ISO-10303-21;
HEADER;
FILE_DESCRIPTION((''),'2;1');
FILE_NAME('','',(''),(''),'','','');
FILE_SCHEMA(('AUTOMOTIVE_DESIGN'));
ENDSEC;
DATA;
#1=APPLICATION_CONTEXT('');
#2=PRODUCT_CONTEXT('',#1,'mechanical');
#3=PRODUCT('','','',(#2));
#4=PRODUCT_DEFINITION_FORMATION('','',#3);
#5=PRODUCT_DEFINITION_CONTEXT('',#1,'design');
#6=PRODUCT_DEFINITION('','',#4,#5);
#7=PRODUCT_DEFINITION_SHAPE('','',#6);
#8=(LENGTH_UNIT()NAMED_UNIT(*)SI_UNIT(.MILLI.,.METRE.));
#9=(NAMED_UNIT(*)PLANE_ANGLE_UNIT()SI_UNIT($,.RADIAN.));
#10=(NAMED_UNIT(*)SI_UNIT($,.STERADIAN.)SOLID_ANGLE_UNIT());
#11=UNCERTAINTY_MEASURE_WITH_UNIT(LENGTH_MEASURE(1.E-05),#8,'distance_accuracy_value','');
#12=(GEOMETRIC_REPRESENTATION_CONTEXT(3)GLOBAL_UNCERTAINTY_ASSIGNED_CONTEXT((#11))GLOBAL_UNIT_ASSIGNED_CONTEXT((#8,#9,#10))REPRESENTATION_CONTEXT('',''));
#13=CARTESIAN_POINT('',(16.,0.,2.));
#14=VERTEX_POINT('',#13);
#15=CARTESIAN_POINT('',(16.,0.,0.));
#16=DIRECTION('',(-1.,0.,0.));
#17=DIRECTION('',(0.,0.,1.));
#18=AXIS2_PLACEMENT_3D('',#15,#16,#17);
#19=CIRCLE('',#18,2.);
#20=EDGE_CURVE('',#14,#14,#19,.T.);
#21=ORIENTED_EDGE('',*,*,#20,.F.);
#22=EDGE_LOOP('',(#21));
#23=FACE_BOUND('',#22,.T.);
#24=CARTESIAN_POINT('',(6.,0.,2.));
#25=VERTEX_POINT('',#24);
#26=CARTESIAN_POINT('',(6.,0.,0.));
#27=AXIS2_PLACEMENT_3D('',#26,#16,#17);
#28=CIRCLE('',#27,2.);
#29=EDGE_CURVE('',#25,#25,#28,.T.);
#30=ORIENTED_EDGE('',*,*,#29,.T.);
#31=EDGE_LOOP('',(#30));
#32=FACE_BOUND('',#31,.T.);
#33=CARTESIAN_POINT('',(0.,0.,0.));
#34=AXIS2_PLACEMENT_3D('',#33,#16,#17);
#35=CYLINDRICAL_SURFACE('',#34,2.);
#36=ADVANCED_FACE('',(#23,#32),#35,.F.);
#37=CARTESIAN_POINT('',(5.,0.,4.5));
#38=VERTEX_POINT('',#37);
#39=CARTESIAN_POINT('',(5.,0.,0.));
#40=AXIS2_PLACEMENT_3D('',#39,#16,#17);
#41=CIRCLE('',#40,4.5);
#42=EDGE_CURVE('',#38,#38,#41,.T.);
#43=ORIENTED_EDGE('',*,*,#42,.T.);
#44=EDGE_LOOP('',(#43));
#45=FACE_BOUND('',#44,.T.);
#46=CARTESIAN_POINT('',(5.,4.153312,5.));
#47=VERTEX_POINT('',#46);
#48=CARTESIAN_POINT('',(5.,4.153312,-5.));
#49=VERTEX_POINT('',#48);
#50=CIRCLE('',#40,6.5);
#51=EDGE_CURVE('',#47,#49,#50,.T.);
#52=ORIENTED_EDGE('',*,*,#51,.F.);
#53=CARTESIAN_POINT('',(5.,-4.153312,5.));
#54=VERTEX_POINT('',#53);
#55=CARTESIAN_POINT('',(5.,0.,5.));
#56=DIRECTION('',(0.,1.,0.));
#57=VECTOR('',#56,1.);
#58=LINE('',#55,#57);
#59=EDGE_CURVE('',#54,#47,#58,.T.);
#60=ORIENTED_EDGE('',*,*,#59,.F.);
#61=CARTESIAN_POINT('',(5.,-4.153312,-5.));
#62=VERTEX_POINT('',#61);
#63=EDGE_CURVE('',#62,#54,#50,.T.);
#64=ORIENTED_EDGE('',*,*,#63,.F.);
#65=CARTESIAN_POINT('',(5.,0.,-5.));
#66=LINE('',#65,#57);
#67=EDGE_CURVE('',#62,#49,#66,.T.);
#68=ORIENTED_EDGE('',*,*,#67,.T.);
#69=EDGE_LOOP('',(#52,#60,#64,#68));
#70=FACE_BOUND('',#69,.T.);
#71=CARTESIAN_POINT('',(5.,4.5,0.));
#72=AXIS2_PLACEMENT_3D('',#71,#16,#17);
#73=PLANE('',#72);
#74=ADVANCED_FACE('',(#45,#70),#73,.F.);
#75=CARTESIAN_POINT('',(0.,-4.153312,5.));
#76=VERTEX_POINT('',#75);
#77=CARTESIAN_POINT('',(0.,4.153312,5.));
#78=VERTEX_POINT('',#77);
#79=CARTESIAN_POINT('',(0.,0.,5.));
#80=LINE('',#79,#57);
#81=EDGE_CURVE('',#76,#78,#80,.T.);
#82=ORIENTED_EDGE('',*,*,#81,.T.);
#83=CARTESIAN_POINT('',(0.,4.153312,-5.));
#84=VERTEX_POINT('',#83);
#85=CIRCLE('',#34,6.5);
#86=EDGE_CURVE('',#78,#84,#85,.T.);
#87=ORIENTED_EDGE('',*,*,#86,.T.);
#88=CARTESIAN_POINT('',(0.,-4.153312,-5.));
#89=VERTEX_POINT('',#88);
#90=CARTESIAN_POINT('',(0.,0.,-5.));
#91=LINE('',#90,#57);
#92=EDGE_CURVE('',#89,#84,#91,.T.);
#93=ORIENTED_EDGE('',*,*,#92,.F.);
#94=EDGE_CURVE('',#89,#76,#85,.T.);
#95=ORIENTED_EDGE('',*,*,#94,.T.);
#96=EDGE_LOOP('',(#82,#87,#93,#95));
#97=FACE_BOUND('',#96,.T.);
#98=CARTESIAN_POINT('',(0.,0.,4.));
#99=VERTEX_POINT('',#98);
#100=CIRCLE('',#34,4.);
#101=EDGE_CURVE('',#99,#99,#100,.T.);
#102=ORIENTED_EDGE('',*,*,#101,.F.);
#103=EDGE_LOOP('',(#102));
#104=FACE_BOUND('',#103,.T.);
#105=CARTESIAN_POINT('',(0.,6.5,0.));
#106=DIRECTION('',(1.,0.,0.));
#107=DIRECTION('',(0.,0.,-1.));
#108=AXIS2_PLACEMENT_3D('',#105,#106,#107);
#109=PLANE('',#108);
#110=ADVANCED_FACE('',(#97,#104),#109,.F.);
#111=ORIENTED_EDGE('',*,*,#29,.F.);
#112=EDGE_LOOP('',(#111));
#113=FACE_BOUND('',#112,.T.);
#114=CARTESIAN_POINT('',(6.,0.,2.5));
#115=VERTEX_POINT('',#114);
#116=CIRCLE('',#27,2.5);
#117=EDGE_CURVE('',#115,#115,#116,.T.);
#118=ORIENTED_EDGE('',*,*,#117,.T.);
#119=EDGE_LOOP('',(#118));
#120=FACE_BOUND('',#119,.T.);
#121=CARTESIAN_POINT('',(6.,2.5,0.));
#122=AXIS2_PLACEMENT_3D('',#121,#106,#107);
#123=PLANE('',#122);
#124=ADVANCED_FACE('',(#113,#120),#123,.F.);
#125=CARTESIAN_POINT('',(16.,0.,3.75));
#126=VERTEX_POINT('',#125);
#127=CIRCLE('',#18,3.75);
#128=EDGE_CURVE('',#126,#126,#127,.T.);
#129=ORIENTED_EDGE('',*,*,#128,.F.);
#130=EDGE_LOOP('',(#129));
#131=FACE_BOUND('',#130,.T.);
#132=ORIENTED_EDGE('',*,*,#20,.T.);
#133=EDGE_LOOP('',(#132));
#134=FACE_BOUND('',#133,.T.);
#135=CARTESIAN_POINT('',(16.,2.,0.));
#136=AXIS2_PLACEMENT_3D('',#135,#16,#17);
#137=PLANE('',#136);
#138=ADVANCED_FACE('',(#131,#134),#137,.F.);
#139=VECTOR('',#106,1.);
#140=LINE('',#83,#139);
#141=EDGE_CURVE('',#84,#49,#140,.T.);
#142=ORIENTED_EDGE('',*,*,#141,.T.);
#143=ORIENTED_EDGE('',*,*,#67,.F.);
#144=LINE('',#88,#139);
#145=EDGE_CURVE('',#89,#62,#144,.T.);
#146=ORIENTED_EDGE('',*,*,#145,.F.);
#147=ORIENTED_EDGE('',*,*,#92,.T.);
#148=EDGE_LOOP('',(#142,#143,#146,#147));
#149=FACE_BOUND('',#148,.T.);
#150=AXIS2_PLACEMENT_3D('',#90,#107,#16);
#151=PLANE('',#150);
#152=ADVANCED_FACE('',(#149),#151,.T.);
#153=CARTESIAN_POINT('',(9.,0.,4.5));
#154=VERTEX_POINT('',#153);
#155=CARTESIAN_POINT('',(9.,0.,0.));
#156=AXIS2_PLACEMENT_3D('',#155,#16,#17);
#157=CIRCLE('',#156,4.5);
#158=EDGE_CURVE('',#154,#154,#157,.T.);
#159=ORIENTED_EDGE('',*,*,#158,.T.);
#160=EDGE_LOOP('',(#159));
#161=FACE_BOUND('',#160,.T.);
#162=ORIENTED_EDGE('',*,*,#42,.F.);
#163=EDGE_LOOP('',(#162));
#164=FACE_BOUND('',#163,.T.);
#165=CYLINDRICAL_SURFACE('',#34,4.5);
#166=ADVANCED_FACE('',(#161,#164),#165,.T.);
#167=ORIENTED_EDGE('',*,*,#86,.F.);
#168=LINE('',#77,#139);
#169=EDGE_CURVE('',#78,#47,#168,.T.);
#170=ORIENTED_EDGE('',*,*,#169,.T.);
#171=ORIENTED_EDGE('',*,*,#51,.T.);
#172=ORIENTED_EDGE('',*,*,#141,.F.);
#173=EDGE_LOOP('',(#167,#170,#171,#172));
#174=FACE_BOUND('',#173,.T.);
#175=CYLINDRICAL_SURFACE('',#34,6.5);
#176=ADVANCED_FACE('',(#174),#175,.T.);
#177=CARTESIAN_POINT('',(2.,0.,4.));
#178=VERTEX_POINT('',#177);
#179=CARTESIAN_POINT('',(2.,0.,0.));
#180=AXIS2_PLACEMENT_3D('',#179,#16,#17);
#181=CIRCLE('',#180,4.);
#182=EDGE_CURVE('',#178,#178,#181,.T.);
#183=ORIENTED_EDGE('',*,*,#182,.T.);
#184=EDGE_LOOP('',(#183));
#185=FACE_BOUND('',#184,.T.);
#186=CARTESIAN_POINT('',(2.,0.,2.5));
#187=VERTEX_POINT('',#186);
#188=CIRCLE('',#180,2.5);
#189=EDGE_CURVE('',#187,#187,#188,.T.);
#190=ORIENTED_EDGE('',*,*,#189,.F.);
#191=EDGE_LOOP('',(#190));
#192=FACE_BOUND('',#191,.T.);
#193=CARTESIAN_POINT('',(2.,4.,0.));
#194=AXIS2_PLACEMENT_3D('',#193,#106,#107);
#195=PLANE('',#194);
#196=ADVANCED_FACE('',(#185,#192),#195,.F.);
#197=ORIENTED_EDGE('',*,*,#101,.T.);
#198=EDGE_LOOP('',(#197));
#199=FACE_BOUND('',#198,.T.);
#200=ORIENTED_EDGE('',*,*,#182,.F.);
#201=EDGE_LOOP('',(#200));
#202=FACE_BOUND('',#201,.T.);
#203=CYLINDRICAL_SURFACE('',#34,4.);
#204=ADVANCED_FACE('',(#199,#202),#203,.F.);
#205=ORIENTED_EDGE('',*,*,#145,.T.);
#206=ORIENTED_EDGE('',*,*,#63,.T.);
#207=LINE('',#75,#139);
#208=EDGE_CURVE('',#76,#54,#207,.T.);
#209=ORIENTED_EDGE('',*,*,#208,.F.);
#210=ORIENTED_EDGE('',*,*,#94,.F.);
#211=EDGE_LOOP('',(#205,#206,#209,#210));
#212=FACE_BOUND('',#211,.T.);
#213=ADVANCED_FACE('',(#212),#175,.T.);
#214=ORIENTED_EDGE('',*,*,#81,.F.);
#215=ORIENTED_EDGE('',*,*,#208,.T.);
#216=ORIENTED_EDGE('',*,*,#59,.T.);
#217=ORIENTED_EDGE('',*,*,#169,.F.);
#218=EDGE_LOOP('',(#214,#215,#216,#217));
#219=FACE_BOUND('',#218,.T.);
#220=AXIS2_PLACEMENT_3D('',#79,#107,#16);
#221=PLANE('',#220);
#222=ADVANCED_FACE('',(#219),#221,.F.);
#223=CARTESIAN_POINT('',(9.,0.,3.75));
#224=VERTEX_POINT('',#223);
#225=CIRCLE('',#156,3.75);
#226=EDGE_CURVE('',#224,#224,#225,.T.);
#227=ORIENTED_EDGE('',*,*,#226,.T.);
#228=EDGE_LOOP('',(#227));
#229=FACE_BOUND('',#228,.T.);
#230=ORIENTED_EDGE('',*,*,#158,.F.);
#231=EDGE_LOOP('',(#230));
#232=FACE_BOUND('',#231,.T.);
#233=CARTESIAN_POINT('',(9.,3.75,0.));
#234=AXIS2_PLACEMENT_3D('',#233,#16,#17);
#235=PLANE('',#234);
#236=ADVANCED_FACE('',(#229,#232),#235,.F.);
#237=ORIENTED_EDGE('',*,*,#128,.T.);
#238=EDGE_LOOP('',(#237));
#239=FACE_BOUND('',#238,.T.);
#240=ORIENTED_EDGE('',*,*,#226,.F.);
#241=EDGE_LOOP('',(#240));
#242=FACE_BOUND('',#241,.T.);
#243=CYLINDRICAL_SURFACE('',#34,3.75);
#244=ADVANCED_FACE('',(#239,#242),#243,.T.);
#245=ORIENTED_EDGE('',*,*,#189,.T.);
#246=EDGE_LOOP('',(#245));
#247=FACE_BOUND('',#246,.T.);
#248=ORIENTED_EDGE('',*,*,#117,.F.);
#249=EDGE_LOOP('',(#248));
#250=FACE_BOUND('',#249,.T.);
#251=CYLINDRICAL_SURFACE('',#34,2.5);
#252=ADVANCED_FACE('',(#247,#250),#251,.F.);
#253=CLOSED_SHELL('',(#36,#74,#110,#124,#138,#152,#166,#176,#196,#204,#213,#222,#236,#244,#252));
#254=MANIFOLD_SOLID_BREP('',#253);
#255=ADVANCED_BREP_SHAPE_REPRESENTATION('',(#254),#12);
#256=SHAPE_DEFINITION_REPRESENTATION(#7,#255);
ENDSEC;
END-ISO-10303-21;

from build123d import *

# Parameters (mm, degrees)
CUT_EXTRUDE_1_DEPTH = 15.335271187


with BuildPart() as part:
    # Эскиз1 → Повернуть1 (revolve)
    with BuildSketch(Plane.XY, mode=Mode.PRIVATE) as revolve_1_sk:
        Polygon((0, 4), (2, 4), (2, 2.5), (6, 2.5), (6, 2), (16, 2), (16, 3.75), (9, 3.75), (9, 4.5), (5, 4.5), (5, 6.5), (0, 6.5), align=None)
    revolve(revolve_1_sk.sketch.rotate(Axis((0, 0, 0), (1, 0, 0)), 90), axis=Axis((0, 0, 0), (1, 0, 0)))

    # Эскиз2 → Вырез-Вытянуть1 (cut, through all)
    with BuildSketch(Plane(origin=(5, 0, 0), x_dir=(0, 0, -1), z_dir=(1, 0, 0))):
        with BuildLine():
            ThreePointArc((-5, 4.153311931), (-6.5, 0), (-5, -4.153311931))
            Line((-5, -4.153311931), (-5, 4.153311931))
        make_face()
        with BuildLine():
            Line((5, 4.153311931), (5, -4.153311931))
            ThreePointArc((5, -4.153311931), (6.11350963, -2.207940217), (6.5, 0))
            ThreePointArc((6.5, 0), (6.11350963, 2.207940217), (5, 4.153311931))
        make_face()
    extrude(amount=-CUT_EXTRUDE_1_DEPTH, mode=Mode.SUBTRACT)


solid = part.part
